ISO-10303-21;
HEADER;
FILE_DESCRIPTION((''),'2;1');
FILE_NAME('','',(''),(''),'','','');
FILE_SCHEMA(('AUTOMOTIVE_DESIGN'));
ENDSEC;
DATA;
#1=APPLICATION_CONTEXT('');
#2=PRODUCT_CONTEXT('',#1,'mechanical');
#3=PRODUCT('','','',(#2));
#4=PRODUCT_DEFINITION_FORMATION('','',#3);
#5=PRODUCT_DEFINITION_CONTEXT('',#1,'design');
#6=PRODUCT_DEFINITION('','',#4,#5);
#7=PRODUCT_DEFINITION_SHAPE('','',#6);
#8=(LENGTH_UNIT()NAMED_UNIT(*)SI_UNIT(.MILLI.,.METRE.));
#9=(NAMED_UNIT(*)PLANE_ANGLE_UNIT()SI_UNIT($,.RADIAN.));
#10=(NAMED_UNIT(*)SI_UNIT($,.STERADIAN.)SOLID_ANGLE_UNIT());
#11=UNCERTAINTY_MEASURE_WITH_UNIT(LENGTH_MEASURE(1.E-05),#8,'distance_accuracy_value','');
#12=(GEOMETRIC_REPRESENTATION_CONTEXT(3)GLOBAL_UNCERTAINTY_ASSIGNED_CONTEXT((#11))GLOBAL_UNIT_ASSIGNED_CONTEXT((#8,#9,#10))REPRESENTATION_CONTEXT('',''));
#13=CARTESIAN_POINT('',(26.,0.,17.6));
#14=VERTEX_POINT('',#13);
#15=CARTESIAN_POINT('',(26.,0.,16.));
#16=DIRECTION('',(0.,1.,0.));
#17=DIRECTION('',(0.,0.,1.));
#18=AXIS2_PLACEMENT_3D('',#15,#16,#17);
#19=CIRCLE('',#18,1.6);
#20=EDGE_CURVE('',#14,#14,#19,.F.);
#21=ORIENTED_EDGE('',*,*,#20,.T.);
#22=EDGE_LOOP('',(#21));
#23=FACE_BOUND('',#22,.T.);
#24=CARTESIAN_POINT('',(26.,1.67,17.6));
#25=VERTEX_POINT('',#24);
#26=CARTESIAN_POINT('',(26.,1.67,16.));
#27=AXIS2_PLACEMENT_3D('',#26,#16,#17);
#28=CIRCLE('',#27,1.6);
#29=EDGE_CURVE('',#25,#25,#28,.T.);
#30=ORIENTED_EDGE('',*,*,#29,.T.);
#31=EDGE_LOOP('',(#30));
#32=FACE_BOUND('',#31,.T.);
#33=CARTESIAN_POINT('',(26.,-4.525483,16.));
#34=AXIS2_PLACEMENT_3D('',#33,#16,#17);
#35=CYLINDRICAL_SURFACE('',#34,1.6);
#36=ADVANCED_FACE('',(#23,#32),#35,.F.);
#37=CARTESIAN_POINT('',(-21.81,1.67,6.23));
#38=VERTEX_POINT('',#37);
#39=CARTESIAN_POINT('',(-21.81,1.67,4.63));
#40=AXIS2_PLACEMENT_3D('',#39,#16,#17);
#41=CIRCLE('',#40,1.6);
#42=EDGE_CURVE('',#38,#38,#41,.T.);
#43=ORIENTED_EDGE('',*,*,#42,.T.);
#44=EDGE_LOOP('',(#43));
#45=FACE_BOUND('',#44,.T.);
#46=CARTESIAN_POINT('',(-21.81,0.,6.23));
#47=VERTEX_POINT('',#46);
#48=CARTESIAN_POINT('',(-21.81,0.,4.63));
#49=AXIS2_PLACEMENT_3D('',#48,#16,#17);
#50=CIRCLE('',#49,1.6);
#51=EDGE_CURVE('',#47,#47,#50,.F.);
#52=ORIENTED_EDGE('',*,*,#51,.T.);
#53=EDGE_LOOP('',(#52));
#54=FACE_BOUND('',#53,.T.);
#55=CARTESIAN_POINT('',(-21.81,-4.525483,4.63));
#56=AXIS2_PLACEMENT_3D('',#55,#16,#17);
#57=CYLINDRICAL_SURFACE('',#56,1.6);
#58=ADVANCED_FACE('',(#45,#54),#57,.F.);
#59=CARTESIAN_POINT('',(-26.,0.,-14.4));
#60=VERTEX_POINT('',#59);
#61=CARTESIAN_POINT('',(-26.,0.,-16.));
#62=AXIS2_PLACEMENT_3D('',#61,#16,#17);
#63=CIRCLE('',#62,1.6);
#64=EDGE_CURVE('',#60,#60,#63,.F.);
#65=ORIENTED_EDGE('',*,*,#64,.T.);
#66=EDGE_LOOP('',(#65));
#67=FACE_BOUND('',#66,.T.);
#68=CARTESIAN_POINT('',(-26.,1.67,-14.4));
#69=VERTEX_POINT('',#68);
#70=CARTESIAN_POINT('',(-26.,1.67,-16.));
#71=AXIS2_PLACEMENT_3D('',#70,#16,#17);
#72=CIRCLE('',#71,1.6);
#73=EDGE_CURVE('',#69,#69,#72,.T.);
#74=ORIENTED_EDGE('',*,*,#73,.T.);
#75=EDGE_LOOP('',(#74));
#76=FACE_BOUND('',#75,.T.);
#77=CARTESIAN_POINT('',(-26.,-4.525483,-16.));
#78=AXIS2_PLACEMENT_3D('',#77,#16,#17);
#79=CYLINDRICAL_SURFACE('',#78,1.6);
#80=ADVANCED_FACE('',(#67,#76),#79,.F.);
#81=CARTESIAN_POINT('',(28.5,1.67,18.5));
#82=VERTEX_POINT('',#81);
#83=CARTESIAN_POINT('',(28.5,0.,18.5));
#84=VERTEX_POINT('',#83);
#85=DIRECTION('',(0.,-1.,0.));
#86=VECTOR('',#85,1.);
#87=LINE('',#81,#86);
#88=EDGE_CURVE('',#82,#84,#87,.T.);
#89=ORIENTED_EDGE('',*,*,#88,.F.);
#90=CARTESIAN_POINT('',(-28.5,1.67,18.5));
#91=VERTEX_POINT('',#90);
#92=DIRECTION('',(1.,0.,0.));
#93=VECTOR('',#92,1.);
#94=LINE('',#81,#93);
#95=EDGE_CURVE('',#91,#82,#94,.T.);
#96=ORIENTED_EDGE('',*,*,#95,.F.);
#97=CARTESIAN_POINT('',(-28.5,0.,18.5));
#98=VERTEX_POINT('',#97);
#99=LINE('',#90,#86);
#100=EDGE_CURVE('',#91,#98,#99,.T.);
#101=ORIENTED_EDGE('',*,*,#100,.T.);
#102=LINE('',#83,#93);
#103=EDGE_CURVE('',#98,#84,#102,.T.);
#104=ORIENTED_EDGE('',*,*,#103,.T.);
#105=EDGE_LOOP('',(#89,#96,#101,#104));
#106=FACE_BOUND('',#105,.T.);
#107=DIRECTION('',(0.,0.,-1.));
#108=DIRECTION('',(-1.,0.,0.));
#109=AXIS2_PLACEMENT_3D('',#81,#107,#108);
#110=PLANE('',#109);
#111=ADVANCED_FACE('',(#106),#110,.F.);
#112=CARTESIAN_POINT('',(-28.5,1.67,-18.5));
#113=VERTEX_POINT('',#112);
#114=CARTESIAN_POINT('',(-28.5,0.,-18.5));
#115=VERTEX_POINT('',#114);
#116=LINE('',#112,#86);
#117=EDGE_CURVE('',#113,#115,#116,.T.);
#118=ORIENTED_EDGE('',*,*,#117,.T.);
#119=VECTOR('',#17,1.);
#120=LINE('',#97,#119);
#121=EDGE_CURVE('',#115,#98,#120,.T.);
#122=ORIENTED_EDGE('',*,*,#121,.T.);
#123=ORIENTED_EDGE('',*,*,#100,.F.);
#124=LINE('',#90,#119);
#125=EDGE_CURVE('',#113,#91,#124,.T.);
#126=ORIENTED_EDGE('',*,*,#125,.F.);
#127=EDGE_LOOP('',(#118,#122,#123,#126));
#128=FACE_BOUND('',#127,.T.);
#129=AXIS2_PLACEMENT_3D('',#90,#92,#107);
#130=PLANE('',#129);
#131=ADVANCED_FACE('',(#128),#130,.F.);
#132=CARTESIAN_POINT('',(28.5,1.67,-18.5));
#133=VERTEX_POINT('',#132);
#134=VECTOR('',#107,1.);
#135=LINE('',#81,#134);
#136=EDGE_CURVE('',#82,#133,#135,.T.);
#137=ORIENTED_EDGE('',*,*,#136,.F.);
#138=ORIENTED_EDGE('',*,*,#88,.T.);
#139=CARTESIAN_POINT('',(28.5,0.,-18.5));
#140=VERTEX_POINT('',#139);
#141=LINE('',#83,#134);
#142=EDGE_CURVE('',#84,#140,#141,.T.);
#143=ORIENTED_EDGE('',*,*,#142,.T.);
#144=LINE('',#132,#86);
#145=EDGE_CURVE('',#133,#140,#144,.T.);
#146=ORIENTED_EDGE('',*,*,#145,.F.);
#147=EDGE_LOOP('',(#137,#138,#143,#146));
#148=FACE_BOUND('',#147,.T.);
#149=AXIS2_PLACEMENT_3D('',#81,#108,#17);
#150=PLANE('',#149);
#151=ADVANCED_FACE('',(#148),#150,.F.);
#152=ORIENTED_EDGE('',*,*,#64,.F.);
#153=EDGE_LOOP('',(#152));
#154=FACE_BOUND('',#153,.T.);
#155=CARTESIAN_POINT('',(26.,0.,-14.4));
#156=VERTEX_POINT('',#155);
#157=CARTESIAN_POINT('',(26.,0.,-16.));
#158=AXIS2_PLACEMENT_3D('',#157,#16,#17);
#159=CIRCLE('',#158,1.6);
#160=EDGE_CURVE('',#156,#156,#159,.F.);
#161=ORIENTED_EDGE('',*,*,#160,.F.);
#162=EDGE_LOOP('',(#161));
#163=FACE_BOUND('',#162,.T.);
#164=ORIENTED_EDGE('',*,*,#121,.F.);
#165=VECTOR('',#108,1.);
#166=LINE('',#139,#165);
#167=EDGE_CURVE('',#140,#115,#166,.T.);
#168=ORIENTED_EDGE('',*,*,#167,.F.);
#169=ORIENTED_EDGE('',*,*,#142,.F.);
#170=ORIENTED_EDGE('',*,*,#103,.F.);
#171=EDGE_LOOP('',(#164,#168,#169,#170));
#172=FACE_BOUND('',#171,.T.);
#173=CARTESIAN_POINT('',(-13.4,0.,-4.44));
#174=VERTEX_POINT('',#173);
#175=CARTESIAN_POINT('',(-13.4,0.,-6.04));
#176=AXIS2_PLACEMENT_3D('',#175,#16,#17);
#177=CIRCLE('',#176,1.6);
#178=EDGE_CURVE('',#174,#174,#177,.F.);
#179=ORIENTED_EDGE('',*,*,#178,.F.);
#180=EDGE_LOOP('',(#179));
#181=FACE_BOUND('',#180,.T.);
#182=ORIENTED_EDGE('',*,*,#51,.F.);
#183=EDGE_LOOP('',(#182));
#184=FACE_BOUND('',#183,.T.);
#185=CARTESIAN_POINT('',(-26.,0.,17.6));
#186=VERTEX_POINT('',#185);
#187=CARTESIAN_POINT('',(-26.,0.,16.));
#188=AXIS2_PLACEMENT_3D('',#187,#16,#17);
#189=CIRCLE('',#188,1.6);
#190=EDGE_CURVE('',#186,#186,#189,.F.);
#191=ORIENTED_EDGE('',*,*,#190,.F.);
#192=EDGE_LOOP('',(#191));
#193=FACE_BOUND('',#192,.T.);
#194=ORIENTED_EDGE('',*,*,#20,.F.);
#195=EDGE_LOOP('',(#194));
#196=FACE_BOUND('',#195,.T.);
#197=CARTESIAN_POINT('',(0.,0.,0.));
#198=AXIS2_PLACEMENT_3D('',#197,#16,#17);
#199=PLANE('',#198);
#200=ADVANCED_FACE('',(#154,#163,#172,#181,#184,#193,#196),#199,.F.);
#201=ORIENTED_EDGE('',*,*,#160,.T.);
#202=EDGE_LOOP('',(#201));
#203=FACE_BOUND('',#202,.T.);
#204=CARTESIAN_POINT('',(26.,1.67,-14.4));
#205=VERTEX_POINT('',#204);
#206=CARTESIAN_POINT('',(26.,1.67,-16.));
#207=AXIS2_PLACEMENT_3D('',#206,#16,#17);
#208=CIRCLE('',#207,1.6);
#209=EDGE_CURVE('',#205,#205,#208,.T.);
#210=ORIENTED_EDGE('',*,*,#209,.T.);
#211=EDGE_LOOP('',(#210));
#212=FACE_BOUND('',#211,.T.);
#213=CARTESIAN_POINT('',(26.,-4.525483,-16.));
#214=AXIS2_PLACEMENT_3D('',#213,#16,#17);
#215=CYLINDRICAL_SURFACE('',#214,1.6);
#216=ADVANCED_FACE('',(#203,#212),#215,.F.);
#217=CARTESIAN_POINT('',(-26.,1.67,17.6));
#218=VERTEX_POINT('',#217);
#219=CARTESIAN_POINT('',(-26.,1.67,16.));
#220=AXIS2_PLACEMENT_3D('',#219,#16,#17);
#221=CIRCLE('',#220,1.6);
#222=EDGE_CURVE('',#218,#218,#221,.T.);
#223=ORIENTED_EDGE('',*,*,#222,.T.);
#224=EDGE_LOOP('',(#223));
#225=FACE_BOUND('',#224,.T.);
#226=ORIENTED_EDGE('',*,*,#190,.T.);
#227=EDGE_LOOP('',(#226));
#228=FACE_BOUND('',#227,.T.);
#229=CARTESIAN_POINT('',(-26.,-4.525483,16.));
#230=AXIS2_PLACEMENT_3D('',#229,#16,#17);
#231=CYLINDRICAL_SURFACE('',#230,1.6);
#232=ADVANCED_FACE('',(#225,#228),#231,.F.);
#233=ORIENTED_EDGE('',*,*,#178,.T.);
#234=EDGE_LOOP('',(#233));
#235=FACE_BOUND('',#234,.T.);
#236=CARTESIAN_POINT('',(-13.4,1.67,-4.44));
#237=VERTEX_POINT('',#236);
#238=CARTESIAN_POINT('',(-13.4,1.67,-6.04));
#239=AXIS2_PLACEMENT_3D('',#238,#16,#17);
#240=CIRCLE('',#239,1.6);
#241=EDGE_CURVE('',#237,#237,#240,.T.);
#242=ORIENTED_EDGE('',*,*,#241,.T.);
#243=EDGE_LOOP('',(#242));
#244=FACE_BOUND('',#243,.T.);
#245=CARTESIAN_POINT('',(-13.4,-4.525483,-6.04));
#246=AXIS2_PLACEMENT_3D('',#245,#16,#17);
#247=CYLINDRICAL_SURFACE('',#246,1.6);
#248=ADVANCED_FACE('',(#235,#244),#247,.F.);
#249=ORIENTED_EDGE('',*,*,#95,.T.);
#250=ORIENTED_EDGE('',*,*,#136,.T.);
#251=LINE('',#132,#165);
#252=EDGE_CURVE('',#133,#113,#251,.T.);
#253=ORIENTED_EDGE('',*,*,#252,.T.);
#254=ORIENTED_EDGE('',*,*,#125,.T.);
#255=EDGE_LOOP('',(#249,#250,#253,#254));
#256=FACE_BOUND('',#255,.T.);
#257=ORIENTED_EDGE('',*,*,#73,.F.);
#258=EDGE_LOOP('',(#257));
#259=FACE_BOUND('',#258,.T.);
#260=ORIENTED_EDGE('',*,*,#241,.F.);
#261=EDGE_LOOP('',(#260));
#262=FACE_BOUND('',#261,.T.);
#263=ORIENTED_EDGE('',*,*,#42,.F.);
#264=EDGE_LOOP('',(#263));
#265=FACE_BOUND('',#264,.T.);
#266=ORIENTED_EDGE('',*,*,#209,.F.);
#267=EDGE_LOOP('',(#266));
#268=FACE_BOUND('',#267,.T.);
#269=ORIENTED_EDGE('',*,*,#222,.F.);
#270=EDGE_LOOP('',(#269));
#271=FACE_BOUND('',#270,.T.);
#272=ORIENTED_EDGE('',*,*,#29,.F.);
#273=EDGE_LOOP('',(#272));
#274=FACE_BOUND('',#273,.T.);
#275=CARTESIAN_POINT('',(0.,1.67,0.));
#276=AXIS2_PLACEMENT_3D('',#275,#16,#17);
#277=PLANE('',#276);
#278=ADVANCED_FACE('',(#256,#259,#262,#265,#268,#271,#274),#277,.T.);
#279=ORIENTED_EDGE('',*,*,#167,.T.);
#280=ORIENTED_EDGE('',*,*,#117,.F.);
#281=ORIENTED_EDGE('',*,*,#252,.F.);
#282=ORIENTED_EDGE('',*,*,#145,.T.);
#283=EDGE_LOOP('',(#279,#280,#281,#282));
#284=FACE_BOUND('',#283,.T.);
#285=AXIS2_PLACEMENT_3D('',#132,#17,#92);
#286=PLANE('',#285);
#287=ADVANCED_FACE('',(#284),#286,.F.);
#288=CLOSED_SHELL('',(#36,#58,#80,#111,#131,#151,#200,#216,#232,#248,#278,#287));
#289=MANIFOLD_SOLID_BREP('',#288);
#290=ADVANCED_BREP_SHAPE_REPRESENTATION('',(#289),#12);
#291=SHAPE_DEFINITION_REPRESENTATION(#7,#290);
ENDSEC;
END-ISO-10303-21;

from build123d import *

# Parameters (mm, degrees)
SKETCH1_W           = 57
SKETCH1_H           = 37
BOSS_EXTRUDE1_DEPTH = 1.67
SKETCH2_R           = 1.6
CUT_EXTRUDE1_DEPTH  = 1.67


with BuildPart() as part:
    # Sketch1 → Boss-Extrude1 (new body)
    with BuildSketch(Plane(origin=(0, 0, 0), x_dir=(1, 0, 0), z_dir=(0, 1, 0))):
        Rectangle(SKETCH1_W, SKETCH1_H)
    extrude(amount=BOSS_EXTRUDE1_DEPTH)

    # Sketch2 → Cut-Extrude1 (cut)
    with BuildSketch(Plane(origin=(0, 1.67, 0), x_dir=(1, 0, 0), z_dir=(0, 1, 0))):
        with Locations(Location((-26, -16, 0), (0, 0, 270))):
            Circle(SKETCH2_R)
        with Locations(Location((-26, 16, 0), (0, 0, 270))):
            Circle(SKETCH2_R)
        with Locations(Location((26, -16, 0), (0, 0, 270))):
            Circle(SKETCH2_R)
        with Locations(Location((26, 16, 0), (0, 0, 270))):
            Circle(SKETCH2_R)
        with Locations(Location((-13.4, 6.04, 0), (0, 0, 270))):
            Circle(SKETCH2_R)
        with Locations(Location((-21.81, -4.63, 0), (0, 0, 270))):
            Circle(SKETCH2_R)
    extrude(amount=-CUT_EXTRUDE1_DEPTH, mode=Mode.SUBTRACT)


solid = part.part
